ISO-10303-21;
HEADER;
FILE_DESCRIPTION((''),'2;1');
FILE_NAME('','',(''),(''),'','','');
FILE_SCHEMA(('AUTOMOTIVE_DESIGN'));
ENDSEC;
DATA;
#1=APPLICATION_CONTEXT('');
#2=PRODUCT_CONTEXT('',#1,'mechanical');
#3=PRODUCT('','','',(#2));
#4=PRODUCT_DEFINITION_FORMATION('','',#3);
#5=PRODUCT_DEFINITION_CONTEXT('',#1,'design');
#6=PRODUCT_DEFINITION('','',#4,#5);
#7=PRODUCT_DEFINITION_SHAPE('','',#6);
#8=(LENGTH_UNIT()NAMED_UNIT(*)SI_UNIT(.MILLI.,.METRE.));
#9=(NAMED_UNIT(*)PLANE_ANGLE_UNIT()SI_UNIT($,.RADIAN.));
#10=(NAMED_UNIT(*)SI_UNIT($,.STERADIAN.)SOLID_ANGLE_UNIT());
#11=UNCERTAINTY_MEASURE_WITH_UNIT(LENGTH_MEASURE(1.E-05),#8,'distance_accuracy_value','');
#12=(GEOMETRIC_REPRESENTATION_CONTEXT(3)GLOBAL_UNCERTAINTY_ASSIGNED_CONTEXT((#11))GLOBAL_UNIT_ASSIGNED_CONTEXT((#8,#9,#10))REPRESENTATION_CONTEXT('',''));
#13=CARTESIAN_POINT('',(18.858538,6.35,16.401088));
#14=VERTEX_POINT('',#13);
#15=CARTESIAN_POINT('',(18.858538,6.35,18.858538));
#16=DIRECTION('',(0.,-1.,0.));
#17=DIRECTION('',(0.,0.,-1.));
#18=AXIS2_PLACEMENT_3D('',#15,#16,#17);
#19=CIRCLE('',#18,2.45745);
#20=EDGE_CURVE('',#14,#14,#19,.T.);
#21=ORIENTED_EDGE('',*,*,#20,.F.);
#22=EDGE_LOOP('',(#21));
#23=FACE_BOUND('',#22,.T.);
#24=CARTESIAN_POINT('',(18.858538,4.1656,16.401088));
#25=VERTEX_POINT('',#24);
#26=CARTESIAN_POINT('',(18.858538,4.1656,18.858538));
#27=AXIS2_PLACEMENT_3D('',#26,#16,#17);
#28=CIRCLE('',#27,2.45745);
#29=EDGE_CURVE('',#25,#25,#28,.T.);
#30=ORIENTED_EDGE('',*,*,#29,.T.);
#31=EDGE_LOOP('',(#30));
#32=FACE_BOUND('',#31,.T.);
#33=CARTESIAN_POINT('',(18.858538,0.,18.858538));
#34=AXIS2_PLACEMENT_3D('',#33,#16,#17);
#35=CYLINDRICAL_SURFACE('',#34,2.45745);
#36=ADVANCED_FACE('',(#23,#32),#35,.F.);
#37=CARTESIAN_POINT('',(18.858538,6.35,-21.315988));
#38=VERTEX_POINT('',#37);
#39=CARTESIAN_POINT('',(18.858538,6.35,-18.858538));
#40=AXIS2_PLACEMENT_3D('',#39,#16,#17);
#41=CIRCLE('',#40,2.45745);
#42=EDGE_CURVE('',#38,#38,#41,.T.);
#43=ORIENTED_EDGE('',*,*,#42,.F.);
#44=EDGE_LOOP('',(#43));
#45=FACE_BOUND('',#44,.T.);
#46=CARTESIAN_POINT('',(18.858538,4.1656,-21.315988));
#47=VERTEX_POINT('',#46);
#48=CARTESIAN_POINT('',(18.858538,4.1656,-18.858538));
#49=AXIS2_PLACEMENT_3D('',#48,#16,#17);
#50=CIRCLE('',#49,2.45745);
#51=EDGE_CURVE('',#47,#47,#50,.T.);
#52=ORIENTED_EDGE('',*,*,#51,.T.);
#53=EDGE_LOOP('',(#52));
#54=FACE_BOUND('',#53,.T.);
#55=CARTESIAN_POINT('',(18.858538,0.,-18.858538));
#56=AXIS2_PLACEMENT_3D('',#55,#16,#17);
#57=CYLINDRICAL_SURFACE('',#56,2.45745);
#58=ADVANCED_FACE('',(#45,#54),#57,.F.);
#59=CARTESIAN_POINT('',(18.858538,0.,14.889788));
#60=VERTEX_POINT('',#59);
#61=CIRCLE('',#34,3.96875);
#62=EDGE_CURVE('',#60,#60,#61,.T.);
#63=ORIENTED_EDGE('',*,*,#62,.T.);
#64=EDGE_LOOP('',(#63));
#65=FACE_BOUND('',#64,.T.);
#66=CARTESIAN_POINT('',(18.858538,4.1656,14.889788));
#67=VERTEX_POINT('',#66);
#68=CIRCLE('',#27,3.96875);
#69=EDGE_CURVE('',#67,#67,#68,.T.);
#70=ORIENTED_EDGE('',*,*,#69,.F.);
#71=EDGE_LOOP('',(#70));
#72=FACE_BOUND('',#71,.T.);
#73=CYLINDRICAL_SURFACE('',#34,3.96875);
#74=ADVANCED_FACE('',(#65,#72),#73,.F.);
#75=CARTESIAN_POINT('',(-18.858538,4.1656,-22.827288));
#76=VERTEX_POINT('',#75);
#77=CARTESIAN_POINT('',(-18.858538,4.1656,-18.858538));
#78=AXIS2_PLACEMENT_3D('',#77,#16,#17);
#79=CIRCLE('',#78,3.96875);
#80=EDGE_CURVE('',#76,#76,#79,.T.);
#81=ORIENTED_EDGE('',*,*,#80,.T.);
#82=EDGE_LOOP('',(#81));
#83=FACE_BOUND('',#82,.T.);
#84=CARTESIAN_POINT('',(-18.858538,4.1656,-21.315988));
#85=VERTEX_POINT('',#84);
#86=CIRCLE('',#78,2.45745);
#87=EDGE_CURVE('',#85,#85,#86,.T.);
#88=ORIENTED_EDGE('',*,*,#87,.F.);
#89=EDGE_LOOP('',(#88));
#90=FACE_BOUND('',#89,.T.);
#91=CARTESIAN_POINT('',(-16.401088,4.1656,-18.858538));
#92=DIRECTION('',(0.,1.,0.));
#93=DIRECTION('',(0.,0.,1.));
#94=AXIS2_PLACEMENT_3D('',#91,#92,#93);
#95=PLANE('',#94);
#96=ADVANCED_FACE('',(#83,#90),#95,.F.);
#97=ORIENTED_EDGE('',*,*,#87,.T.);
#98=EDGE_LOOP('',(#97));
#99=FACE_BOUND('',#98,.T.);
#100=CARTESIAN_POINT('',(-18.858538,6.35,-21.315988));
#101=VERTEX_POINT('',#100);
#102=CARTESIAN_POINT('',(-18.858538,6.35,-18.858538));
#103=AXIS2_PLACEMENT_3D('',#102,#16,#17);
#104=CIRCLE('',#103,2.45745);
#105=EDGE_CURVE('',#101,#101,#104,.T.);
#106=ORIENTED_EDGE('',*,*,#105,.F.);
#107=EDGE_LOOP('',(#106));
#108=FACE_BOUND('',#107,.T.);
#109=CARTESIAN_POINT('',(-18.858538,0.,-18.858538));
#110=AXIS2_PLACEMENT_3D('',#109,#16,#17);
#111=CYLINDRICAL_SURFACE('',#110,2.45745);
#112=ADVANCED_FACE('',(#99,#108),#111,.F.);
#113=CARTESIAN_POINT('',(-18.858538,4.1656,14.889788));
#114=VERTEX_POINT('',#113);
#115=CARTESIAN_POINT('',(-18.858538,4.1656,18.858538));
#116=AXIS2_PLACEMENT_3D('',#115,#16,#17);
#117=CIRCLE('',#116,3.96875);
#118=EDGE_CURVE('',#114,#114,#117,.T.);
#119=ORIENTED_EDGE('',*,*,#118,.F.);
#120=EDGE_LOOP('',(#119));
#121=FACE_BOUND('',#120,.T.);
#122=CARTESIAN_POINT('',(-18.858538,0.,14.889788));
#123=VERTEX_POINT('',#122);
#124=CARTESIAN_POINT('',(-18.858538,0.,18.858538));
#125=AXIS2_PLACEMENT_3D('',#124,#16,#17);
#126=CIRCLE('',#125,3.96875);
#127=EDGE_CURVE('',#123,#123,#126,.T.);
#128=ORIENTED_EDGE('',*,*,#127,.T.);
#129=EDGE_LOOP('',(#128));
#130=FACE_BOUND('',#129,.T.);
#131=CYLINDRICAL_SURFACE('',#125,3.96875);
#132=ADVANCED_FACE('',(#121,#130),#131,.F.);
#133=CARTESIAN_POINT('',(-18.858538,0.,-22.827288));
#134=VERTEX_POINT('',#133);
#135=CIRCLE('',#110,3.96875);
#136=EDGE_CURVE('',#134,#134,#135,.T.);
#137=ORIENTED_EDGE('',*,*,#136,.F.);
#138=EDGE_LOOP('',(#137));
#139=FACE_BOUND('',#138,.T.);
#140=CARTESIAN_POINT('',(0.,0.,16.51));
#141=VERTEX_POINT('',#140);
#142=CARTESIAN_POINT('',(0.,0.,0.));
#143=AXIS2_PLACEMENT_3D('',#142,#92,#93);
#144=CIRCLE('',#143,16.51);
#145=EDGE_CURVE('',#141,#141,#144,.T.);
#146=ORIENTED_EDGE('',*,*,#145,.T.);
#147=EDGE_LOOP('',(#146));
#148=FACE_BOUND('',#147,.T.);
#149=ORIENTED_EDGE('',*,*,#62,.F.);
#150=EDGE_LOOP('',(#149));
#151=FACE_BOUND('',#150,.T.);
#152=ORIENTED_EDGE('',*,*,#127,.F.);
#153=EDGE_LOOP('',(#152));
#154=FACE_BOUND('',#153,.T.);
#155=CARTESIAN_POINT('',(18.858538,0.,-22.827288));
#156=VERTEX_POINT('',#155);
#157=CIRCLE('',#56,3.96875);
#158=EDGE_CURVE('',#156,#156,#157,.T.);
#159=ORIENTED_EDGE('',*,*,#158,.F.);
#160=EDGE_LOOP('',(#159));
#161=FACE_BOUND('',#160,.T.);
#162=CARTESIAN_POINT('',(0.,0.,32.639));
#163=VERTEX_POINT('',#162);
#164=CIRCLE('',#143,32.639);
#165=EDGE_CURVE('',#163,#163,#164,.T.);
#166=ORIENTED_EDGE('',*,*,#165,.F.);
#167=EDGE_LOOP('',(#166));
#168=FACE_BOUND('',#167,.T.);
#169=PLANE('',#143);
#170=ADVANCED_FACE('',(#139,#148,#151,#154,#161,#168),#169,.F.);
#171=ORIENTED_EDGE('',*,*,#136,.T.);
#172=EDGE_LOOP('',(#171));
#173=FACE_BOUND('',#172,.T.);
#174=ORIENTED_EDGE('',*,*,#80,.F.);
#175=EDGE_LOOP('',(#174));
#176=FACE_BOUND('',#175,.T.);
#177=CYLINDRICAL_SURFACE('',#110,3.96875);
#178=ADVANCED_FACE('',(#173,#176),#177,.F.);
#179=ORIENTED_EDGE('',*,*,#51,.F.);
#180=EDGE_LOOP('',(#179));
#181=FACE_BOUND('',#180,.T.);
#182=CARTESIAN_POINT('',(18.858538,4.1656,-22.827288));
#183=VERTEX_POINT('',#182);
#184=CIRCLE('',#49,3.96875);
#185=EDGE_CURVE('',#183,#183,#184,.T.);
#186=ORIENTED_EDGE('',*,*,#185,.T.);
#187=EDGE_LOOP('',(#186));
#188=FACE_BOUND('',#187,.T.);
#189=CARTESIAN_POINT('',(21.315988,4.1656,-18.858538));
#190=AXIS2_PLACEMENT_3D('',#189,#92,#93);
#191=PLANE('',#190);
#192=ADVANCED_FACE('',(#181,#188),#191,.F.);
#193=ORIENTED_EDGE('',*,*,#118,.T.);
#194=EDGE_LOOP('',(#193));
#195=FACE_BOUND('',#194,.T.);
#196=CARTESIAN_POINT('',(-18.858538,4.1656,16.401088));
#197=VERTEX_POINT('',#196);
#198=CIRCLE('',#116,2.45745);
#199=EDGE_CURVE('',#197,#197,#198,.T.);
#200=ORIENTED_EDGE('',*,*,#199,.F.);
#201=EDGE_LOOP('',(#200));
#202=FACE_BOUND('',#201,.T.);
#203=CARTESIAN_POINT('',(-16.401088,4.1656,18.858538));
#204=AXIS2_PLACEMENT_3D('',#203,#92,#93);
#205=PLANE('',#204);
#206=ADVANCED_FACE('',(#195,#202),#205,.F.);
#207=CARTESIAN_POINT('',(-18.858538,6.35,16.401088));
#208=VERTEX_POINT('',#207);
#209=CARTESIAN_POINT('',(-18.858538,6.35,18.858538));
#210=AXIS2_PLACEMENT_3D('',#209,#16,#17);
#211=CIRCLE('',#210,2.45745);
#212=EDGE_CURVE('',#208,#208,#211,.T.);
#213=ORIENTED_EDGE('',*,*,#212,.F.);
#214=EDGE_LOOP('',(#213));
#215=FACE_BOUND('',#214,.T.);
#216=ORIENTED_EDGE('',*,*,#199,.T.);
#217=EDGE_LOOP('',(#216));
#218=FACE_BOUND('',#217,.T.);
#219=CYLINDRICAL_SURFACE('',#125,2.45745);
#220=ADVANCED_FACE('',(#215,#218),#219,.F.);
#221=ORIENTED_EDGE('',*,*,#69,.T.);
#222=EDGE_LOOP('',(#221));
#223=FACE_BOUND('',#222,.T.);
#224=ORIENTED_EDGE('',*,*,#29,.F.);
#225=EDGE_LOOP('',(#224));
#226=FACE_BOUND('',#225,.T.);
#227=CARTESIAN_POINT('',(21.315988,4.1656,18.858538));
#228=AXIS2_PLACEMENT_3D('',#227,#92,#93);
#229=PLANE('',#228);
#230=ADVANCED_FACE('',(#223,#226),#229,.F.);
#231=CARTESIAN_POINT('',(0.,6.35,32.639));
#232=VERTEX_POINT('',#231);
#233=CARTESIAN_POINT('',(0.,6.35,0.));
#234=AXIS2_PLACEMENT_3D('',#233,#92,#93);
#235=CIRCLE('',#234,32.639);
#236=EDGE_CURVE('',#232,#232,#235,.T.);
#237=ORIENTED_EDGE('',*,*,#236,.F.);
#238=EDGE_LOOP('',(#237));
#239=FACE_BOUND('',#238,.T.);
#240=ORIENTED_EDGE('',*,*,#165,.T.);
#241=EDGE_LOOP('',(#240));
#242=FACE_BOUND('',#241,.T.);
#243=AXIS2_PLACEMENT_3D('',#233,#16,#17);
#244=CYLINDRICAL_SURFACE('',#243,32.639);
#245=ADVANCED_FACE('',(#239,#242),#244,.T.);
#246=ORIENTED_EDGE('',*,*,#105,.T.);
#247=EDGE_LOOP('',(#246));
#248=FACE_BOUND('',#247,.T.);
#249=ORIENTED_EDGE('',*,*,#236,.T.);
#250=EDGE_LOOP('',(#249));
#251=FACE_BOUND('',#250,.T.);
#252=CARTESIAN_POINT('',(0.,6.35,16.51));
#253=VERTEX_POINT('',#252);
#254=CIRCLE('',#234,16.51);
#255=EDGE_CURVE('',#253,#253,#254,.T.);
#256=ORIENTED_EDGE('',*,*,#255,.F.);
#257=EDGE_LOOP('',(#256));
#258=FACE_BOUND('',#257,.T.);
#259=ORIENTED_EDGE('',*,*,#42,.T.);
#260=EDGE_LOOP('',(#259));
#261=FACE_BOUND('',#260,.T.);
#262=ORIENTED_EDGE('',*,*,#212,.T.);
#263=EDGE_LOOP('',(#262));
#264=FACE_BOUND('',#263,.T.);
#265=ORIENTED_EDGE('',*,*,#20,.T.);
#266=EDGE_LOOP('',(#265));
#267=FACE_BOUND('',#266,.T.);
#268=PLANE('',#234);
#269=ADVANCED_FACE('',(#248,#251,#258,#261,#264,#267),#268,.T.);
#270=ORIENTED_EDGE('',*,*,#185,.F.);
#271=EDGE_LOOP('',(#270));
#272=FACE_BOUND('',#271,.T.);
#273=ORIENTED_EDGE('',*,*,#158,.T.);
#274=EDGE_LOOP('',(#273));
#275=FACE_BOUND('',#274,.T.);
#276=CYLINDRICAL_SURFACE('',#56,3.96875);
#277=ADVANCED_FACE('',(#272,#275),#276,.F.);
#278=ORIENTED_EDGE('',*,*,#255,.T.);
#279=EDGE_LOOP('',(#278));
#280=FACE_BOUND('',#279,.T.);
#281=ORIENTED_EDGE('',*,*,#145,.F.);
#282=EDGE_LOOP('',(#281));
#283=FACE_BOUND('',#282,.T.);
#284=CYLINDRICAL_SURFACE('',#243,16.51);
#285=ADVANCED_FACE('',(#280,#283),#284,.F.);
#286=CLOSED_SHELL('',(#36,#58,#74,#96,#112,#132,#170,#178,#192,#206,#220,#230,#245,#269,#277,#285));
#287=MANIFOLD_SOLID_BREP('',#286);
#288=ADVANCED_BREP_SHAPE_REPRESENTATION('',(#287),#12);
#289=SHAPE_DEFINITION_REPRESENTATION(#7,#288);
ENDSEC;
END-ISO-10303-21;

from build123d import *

# Parameters (mm, degrees)
SKETCH1_R                                      = 32.639
SKETCH1_R_2                                    = 16.51
EXTRUDE1_DEPTH                                 = 6.35
CBORE_FOR_8_SOCKET_HEAD_CAP_SCREW1_D           = 4.9149
CBORE_FOR_8_SOCKET_HEAD_CAP_SCREW1_CBORE_D     = 7.9375
CBORE_FOR_8_SOCKET_HEAD_CAP_SCREW1_CBORE_DEPTH = 4.1656


with BuildPart() as part:
    # Sketch1 → Extrude1 (new body)
    with BuildSketch(Plane(origin=(0, 0, 0), x_dir=(1, 0, 0), z_dir=(0, 1, 0))):
        with Locations(Location((0, 0, 0), (0, 0, 270))):  # turned: the seam where the file's is
            Circle(SKETCH1_R)
        with Locations(Location((0, 0, 0), (0, 0, 270))):  # turned: the seam where the file's is
            Circle(SKETCH1_R_2, mode=Mode.SUBTRACT)
    extrude(amount=EXTRUDE1_DEPTH)

    # CBORE for #8 Socket Head Cap Screw1 (through all)
    with Locations(Plane(origin=(-18.858537854, 0, 18.858537854), x_dir=(0, 0, -1), z_dir=(0, -1, 0))):
        with Locations((0, 0), (0, 37.717075708), (37.717075708, 37.717075708), (37.717075708, 0)):
            CounterBoreHole(CBORE_FOR_8_SOCKET_HEAD_CAP_SCREW1_D / 2, CBORE_FOR_8_SOCKET_HEAD_CAP_SCREW1_CBORE_D / 2, CBORE_FOR_8_SOCKET_HEAD_CAP_SCREW1_CBORE_DEPTH)


solid = part.part
